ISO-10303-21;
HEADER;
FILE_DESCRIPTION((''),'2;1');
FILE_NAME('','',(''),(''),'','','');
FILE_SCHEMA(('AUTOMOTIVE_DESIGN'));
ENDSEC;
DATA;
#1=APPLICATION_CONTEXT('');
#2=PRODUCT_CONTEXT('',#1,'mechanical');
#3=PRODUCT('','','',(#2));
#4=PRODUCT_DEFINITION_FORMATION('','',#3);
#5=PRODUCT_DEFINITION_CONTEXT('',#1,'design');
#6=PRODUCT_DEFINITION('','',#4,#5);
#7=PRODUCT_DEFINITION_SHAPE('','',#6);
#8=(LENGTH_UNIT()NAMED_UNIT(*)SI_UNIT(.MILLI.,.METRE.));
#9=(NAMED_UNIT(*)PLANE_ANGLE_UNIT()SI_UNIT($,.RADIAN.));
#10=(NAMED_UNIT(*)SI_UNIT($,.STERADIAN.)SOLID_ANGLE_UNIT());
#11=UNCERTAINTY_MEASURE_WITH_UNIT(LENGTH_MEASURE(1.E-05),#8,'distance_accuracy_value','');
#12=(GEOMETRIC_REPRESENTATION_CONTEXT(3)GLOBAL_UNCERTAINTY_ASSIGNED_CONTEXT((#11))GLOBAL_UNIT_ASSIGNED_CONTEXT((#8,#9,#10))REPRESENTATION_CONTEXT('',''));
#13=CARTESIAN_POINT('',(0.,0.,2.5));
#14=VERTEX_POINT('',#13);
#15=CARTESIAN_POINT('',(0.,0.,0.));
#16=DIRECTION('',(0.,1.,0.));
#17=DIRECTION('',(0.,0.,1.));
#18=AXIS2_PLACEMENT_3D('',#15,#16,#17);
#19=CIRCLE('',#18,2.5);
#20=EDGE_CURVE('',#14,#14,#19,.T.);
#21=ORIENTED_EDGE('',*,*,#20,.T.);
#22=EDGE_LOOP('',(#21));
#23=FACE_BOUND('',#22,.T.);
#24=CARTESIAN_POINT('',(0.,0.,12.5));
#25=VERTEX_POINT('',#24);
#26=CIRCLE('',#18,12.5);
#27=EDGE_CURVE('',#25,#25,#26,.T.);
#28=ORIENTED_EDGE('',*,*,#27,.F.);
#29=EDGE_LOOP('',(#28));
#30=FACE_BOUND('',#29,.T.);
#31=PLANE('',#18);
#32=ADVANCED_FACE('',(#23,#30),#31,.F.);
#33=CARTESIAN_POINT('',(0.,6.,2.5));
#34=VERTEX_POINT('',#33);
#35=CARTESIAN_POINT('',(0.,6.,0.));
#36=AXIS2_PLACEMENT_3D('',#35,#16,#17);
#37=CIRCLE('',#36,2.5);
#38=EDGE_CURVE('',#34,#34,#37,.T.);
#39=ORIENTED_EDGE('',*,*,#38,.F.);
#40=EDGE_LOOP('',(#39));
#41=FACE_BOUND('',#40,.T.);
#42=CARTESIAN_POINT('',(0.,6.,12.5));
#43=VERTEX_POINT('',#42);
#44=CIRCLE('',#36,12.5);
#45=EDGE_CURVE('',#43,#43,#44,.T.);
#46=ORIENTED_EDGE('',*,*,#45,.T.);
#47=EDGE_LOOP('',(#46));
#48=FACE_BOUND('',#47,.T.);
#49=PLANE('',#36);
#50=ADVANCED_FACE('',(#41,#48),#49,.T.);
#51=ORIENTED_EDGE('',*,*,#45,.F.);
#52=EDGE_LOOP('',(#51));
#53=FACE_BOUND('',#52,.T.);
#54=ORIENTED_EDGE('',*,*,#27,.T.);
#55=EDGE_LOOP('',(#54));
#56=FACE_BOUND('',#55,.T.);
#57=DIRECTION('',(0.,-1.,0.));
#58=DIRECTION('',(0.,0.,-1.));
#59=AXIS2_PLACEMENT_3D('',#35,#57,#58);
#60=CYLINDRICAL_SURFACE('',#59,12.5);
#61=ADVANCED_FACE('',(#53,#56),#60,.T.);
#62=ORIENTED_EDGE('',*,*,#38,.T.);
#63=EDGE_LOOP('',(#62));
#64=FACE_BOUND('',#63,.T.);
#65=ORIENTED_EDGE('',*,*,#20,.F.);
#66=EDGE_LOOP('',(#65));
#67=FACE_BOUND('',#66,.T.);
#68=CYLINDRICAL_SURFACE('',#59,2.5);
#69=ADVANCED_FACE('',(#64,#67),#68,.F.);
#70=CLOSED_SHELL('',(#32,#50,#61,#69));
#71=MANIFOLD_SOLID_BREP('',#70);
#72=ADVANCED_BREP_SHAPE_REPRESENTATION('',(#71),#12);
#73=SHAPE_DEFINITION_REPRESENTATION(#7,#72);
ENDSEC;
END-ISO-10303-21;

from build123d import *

# Parameters (mm, degrees)
SKETCH_1_R      = 12.5
SKETCH_1_R_2    = 2.5
EXTRUDE_1_DEPTH = 6


with BuildPart() as part:
    # 草图1 → 凸台-拉伸1 (new body)
    with BuildSketch(Plane(origin=(0, 0, 0), x_dir=(1, 0, 0), z_dir=(0, 1, 0))):
        Circle(SKETCH_1_R)
        Circle(SKETCH_1_R_2, mode=Mode.SUBTRACT)
    extrude(amount=EXTRUDE_1_DEPTH)


solid = part.part
